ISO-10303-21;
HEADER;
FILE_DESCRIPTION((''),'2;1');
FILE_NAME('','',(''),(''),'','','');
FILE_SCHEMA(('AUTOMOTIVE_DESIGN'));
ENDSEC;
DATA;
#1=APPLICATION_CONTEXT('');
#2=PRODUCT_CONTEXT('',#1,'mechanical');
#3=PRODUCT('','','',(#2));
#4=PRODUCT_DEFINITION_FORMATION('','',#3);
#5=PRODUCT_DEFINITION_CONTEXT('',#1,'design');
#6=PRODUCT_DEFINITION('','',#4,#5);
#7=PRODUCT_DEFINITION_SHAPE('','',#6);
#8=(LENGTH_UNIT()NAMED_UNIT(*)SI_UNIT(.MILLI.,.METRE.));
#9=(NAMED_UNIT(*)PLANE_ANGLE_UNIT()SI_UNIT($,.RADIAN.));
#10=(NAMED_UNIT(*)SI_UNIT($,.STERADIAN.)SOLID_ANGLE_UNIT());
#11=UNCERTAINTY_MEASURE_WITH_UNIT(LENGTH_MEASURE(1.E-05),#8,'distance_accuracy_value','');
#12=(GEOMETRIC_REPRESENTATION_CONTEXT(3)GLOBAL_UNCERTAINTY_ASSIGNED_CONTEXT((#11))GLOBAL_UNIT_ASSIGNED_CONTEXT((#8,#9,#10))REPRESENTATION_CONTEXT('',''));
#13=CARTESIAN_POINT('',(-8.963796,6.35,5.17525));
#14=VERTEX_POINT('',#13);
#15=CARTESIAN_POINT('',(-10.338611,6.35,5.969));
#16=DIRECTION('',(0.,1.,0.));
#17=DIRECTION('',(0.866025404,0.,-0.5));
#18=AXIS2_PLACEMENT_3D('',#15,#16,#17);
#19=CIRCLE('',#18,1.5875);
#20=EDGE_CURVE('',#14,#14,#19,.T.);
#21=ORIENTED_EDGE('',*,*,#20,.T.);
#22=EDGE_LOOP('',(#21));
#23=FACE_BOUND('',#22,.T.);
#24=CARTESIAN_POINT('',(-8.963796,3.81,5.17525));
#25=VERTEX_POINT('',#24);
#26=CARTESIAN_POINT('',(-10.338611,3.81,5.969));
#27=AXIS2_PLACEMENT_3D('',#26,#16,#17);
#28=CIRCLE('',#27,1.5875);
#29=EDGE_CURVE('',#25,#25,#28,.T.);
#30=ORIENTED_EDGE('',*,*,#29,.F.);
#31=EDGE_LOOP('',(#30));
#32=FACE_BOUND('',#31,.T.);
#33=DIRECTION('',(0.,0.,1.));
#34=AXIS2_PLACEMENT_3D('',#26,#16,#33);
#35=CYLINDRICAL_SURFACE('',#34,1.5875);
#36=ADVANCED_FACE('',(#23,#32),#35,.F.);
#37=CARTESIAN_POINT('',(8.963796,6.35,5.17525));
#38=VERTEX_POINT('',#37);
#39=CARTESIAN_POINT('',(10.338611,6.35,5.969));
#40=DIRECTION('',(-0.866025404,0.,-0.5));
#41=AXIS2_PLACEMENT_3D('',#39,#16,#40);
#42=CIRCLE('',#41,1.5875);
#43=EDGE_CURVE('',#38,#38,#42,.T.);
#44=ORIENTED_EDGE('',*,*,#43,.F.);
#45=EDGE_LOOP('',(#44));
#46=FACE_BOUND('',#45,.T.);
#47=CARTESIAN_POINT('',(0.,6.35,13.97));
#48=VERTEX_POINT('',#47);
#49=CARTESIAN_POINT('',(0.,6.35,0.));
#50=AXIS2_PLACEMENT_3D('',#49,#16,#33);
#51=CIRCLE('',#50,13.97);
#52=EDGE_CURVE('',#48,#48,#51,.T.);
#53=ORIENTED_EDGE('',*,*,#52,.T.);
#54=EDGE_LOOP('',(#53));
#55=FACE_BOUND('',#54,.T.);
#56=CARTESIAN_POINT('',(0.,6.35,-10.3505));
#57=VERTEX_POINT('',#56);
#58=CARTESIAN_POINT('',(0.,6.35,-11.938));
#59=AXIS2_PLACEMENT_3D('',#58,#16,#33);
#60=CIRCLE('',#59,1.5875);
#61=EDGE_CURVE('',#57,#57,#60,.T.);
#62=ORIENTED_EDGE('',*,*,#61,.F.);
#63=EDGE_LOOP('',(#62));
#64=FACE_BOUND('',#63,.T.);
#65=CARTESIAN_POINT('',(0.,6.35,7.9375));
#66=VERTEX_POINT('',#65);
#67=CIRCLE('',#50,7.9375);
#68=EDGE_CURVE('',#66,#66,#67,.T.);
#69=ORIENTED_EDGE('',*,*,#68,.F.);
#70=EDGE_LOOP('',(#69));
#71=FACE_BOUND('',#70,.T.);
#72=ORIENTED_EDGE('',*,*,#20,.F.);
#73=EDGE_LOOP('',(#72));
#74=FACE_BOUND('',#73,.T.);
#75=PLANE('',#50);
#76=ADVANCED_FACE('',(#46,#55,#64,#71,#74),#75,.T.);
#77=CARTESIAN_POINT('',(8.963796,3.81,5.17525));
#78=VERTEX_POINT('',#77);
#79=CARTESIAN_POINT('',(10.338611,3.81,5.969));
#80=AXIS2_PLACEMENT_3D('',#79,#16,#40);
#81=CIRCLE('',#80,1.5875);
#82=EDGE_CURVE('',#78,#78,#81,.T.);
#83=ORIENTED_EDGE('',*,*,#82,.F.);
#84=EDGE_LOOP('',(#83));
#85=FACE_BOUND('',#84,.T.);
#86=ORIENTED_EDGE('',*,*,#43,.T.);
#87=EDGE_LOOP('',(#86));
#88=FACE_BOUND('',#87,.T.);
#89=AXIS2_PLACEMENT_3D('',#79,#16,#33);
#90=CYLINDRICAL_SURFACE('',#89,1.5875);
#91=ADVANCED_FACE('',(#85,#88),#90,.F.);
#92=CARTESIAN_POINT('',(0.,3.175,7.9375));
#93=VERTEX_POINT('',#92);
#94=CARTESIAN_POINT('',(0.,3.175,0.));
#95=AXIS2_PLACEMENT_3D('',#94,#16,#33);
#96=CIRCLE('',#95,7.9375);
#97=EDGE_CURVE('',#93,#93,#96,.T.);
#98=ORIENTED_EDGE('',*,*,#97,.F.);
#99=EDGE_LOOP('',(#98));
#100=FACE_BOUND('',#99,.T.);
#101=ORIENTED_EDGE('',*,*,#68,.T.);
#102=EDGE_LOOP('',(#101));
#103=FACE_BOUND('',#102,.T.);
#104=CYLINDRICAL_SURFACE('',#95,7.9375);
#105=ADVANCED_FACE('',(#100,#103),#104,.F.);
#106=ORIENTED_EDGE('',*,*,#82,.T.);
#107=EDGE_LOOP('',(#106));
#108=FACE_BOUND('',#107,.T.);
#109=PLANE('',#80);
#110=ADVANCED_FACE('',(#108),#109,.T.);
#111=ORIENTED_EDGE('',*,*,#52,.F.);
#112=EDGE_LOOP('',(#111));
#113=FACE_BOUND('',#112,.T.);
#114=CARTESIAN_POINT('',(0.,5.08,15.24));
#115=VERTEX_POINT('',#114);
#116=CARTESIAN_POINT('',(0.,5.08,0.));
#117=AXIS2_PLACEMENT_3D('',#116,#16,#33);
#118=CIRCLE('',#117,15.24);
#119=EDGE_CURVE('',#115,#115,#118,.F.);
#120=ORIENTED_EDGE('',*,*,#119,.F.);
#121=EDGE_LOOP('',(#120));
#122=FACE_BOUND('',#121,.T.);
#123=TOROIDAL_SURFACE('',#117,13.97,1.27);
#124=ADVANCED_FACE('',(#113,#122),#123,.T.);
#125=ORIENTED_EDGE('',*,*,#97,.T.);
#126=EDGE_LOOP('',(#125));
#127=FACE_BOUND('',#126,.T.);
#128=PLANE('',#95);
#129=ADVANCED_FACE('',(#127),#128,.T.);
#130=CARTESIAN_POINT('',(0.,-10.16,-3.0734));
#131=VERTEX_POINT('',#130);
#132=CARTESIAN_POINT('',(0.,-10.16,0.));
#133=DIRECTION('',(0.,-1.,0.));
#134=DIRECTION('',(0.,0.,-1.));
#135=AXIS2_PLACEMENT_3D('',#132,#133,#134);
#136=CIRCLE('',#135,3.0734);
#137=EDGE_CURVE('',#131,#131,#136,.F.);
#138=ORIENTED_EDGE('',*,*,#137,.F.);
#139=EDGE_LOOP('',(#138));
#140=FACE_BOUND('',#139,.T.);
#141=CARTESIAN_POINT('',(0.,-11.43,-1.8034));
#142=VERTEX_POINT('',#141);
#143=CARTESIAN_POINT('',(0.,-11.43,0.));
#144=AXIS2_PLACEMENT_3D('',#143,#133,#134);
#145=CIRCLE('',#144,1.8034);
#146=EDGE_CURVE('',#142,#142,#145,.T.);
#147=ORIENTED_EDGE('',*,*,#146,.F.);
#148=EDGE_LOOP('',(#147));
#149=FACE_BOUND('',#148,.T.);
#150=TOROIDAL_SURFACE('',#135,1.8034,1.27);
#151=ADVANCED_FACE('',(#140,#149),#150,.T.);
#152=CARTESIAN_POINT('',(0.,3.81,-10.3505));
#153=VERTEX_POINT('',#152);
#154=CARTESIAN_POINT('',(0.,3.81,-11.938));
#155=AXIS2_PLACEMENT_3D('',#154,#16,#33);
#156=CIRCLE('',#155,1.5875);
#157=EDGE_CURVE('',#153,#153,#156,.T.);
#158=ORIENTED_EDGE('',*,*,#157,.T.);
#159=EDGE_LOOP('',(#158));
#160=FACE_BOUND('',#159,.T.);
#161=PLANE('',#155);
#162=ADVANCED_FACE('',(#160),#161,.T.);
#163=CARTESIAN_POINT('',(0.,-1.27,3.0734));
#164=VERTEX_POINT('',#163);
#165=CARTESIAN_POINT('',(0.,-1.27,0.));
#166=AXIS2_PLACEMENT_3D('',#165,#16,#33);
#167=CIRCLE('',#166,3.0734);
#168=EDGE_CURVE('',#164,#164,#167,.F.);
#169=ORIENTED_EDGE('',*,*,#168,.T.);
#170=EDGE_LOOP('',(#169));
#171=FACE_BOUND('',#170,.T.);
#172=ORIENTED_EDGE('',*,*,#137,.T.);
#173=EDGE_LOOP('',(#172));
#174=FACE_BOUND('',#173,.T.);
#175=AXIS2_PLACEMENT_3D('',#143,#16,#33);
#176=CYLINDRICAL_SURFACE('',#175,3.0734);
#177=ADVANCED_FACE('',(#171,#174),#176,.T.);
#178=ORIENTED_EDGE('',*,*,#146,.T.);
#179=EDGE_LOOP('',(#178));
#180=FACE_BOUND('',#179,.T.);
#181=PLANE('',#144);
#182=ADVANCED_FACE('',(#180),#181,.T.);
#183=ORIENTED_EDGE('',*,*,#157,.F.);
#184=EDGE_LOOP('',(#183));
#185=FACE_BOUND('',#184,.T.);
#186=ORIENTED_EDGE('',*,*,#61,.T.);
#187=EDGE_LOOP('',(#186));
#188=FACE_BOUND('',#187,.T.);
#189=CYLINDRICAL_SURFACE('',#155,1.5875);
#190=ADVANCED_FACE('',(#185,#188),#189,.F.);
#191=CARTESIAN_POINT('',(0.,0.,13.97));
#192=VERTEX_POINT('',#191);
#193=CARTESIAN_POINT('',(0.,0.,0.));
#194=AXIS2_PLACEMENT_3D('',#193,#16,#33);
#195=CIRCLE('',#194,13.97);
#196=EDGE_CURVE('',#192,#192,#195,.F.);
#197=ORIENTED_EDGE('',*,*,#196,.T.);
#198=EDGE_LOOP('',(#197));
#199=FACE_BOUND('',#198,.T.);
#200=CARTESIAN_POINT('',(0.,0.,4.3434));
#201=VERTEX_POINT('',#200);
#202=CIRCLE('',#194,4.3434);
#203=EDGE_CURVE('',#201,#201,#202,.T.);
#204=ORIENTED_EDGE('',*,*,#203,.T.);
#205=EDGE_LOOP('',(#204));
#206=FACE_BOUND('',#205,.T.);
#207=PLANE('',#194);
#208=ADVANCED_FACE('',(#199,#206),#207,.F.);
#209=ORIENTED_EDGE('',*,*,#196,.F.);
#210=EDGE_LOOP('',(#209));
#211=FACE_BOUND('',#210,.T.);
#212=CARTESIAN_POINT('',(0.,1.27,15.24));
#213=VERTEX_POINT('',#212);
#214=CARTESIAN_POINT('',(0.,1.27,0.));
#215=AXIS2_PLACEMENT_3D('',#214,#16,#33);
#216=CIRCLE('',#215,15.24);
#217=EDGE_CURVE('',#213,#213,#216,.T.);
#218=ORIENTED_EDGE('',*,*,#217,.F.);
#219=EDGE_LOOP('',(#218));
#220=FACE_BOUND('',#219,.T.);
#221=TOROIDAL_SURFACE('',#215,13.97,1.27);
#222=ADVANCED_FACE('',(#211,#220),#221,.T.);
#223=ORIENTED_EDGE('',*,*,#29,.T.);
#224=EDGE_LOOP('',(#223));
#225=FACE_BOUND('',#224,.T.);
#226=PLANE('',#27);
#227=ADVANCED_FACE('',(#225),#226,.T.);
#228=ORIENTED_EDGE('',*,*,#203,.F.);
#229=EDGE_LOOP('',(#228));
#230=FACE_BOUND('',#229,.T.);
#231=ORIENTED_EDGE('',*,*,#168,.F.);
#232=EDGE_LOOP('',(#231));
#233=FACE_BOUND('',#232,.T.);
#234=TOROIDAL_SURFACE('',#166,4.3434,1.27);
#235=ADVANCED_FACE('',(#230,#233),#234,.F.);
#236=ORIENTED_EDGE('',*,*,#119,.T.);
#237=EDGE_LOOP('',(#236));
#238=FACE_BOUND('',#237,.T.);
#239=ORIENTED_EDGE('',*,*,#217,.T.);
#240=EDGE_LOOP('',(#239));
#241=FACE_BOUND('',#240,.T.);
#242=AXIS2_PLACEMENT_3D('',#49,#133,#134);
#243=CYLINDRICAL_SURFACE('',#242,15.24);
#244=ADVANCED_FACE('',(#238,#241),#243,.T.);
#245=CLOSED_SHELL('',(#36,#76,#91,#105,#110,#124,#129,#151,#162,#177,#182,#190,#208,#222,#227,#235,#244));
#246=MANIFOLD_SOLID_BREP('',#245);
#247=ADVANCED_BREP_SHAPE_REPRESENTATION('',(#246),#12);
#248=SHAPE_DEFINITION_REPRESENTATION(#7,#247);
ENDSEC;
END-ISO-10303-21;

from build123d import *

# Parameters (mm, degrees)
SKETCH1_R           = 15.24
BOSS_EXTRUDE1_DEPTH = 6.35
SKETCH2_R           = 7.9375
CUT_EXTRUDE1_DEPTH  = 3.175
FILLET4_R           = 1.27
SKETCH4_R           = 1.5875
CUT_EXTRUDE2_DEPTH  = 2.54
CIRPATTERN1_COUNT   = 3
FILLET6_R           = 1.27
SKETCH3_R           = 3.0734
BOSS_EXTRUDE4_DEPTH = 11.43
FILLET7_R           = 1.27


with BuildPart() as part:
    # Sketch1 → Boss-Extrude1 (new body)
    with BuildSketch(Plane(origin=(0, 0, 0), x_dir=(1, 0, 0), z_dir=(0, 1, 0))):
        Circle(SKETCH1_R)
    extrude(amount=BOSS_EXTRUDE1_DEPTH)

    # Sketch2 → Cut-Extrude1 (cut)
    with BuildSketch(Plane(origin=(0, 6.35, 0), x_dir=(1, 0, 0), z_dir=(0, 1, 0))):
        Circle(SKETCH2_R)
    extrude(amount=-CUT_EXTRUDE1_DEPTH, mode=Mode.SUBTRACT)

    # Fillet4
    fillet4_edges = [part.edges().sort_by_distance(p)[0] for p in [
        (-15.24, 6.35, 0),
    ]]
    fillet(fillet4_edges, radius=FILLET4_R)

    # Sketch4 → Cut-Extrude2 (cut)
    with BuildSketch(Plane(origin=(0, 6.35, 0), x_dir=(1, 0, 0), z_dir=(0, 1, 0))):
        with Locations((0, 11.938)):
            Circle(SKETCH4_R)
    cut_extrude2 = extrude(amount=-CUT_EXTRUDE2_DEPTH, mode=Mode.SUBTRACT)

    # CirPattern1: Cut-Extrude2 ×3 about axis
    cirpattern1_axis = Axis((0, 3.175, 0), (0, 1, 0))
    for i in range(1, CIRPATTERN1_COUNT):
        add(cut_extrude2.rotate(cirpattern1_axis, i * 360 / CIRPATTERN1_COUNT), mode=Mode.SUBTRACT)

    # Fillet6
    fillet6_edges = [part.edges().sort_by_distance(p)[0] for p in [
        (-15.24, 0, 0),
    ]]
    fillet(fillet6_edges, radius=FILLET6_R)

    # Sketch3 → Boss-Extrude4 (add)
    with BuildSketch(Plane.XZ):
        Circle(SKETCH3_R)
    extrude(amount=BOSS_EXTRUDE4_DEPTH)

    # Fillet7
    fillet7_edges = [part.edges().sort_by_distance(p)[0] for p in [
        (-3.0734, -11.43, 0),
        (-3.0734, 0, 0),
    ]]
    fillet(fillet7_edges, radius=FILLET7_R)


solid = part.part
